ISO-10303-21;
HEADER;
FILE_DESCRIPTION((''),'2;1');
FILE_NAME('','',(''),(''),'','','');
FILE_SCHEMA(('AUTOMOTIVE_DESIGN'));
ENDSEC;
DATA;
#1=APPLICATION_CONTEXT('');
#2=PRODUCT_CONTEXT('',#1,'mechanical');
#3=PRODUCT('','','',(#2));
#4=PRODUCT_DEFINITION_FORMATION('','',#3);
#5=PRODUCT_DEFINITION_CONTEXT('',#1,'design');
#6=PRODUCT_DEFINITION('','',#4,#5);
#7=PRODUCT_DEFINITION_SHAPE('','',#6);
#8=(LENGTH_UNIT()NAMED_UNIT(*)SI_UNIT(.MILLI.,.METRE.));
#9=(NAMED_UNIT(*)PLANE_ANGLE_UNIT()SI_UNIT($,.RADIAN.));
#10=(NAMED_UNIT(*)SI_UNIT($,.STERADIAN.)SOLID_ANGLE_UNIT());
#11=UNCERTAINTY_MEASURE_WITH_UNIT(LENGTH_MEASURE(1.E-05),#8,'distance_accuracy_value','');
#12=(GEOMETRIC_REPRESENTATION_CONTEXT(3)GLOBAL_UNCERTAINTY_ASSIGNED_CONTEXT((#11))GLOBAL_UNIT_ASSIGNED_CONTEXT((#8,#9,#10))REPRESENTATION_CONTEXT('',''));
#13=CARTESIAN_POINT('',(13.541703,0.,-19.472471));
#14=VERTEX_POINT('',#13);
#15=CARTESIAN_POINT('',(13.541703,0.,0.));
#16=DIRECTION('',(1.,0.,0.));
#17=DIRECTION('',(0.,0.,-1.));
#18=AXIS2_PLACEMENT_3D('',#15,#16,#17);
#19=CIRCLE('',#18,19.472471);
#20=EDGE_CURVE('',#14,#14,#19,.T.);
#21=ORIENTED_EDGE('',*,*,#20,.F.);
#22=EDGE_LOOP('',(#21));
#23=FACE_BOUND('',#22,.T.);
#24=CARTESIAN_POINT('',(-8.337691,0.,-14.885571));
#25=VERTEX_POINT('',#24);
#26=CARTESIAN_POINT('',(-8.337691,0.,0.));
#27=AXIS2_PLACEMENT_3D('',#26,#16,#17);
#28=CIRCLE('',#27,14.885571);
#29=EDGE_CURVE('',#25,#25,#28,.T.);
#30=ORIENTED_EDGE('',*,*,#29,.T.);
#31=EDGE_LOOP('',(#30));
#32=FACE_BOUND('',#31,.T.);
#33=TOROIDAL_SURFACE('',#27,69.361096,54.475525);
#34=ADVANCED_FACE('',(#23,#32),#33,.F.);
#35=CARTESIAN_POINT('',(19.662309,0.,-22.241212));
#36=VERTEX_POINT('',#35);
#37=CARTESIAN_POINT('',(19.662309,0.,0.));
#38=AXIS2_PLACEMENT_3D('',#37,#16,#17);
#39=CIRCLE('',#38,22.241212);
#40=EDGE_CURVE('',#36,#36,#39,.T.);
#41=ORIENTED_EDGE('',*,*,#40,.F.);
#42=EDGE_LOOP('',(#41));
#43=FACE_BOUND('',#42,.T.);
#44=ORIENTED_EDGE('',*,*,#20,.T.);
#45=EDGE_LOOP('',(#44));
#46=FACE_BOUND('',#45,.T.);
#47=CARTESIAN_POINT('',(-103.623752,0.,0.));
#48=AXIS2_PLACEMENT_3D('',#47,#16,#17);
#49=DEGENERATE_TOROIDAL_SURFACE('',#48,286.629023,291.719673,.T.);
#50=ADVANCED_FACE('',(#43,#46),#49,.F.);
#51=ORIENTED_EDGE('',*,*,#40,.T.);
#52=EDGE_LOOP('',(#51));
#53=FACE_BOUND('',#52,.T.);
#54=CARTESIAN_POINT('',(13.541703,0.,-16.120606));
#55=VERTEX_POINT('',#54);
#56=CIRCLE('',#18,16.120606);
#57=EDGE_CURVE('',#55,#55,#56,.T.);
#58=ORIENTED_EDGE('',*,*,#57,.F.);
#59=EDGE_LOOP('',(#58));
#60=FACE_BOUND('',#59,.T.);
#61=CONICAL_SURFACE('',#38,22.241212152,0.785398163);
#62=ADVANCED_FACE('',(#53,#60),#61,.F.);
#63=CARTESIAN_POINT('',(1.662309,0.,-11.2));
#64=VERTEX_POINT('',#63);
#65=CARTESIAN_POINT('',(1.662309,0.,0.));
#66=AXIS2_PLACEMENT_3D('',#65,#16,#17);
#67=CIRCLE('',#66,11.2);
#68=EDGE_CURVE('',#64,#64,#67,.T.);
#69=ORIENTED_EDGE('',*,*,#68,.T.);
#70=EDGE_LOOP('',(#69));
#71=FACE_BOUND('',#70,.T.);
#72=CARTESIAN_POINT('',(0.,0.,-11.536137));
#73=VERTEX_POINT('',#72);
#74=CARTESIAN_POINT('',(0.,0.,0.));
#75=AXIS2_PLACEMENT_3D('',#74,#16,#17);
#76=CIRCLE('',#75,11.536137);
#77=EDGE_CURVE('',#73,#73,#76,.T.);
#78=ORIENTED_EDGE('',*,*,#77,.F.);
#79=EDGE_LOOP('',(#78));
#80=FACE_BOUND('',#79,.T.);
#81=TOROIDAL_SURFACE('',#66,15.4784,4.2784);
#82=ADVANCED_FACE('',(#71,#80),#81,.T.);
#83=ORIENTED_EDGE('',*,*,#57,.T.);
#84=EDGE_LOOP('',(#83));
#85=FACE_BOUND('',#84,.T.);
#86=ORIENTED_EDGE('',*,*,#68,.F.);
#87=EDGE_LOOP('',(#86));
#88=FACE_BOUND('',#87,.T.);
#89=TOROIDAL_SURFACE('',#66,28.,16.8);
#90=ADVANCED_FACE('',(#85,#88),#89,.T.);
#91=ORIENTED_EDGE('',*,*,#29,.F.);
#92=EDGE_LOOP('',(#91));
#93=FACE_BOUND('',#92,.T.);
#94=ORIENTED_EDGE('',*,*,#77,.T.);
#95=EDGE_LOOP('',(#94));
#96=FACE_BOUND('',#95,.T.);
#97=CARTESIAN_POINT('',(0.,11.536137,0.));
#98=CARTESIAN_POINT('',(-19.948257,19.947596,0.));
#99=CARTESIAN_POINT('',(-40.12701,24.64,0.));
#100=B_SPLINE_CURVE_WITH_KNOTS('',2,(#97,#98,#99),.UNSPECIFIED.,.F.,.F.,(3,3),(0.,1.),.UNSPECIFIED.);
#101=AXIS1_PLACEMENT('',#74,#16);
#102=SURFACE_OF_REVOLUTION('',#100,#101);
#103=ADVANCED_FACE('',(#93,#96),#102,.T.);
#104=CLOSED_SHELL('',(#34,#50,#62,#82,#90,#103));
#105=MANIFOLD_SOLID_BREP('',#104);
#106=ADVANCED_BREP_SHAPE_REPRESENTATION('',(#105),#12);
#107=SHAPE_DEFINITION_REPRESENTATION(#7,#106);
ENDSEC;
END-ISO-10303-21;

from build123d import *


with BuildPart() as part:
    # Sketch1 → Revolve1 (revolve)
    with BuildSketch(Plane.XY, mode=Mode.PRIVATE) as revolve1_sk:
        with BuildLine():
            Line((13.541703369, 16.120606076), (19.662309445, 22.241212152))
            ThreePointArc((19.662309445, 22.241212152), (16.609976492, 20.839222591), (13.541703369, 19.472470519))
            ThreePointArc((13.541703369, 19.472470519), (2.839826237, 16.044626201), (-8.337690555, 14.885570905))
            add(Edge.make_bspline(
                [(0, 11.536137468), (-4.163824079, 13.2918714), (-8.337690555, 14.885570905)],
                knots=[0, 0, 0, 0.208731219, 0.208731219, 0.208731219], degree=2))
            ThreePointArc((0, 11.536137468), (0.81433228, 11.284876268), (1.662309445, 11.2))
            ThreePointArc((1.662309445, 11.2), (8.091391109, 12.478823854), (13.541703369, 16.120606076))
        make_face()
    revolve(revolve1_sk.sketch.rotate(Axis((0, 0, 0), (-1, 0, 0)), 90), axis=Axis((0, 0, 0), (-1, 0, 0)))


solid = part.part
